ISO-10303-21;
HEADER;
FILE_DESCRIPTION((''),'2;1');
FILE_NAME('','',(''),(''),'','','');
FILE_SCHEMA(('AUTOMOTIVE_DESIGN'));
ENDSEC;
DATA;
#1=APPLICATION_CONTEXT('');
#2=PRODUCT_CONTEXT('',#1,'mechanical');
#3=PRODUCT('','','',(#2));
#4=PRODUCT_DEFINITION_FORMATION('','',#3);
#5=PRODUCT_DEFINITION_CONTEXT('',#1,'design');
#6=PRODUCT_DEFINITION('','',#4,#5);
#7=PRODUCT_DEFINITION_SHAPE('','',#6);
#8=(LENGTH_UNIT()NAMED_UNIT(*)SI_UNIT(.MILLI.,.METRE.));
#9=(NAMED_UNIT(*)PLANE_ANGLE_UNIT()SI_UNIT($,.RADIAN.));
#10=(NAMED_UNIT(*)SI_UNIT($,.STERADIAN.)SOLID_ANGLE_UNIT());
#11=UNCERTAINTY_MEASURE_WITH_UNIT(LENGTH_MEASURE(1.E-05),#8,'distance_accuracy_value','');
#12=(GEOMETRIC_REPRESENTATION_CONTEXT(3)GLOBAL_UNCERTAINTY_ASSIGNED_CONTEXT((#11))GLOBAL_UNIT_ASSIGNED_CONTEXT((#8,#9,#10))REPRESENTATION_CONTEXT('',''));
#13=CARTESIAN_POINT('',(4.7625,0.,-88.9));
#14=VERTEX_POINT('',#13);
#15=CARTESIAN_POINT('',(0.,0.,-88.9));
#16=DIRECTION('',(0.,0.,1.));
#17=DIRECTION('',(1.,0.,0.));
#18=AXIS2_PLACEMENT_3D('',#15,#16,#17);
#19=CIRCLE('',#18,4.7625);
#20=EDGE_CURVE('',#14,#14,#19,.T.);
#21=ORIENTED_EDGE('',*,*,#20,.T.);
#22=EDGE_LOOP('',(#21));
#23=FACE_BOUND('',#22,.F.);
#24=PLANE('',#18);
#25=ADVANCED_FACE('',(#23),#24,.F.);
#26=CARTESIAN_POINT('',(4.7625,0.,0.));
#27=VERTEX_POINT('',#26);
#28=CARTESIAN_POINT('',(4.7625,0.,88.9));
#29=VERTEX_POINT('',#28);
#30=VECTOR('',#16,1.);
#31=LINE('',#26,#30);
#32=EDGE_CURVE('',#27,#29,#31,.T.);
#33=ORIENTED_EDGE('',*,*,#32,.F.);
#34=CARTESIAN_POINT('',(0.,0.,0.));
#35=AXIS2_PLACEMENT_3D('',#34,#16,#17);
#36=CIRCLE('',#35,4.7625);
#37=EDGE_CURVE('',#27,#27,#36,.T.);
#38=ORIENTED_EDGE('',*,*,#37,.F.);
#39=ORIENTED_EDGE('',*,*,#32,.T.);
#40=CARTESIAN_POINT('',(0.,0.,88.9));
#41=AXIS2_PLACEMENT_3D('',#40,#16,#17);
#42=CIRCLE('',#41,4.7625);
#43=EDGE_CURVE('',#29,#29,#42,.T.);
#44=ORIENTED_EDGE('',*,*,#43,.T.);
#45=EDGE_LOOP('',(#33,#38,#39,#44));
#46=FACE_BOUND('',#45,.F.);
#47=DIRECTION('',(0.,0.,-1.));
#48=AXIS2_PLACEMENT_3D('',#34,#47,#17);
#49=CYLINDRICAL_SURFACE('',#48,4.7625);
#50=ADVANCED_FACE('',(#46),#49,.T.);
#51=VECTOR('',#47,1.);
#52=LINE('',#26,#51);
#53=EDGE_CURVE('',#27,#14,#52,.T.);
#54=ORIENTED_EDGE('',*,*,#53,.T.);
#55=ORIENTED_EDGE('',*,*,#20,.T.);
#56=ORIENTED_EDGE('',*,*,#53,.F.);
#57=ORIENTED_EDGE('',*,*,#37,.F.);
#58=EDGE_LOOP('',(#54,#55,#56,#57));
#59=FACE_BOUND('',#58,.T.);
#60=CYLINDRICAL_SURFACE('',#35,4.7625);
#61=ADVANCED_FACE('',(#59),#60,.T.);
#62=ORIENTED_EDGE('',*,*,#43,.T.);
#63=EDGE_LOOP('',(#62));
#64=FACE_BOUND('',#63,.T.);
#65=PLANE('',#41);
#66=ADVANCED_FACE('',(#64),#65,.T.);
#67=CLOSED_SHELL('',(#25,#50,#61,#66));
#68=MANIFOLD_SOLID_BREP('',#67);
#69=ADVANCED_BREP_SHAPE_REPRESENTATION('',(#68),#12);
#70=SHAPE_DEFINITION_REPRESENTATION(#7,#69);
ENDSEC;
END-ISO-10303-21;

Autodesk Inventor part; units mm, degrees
ref_plane "XY Plane" through (0, 0, 0) normal (0, 0, 1) x (1, 0, 0)
sketch "Sketch1" plane through (0, 0, 0) normal (0, 0, 1) x (1, 0, 0)
  circle A0 centre (0, 0) radius 4.7625
  dimension "d0" = 9.525
extrude "Extrusion1" add sketch "Sketch1" along normal mid plane 177.8
properties part number "linearMotionRod"
